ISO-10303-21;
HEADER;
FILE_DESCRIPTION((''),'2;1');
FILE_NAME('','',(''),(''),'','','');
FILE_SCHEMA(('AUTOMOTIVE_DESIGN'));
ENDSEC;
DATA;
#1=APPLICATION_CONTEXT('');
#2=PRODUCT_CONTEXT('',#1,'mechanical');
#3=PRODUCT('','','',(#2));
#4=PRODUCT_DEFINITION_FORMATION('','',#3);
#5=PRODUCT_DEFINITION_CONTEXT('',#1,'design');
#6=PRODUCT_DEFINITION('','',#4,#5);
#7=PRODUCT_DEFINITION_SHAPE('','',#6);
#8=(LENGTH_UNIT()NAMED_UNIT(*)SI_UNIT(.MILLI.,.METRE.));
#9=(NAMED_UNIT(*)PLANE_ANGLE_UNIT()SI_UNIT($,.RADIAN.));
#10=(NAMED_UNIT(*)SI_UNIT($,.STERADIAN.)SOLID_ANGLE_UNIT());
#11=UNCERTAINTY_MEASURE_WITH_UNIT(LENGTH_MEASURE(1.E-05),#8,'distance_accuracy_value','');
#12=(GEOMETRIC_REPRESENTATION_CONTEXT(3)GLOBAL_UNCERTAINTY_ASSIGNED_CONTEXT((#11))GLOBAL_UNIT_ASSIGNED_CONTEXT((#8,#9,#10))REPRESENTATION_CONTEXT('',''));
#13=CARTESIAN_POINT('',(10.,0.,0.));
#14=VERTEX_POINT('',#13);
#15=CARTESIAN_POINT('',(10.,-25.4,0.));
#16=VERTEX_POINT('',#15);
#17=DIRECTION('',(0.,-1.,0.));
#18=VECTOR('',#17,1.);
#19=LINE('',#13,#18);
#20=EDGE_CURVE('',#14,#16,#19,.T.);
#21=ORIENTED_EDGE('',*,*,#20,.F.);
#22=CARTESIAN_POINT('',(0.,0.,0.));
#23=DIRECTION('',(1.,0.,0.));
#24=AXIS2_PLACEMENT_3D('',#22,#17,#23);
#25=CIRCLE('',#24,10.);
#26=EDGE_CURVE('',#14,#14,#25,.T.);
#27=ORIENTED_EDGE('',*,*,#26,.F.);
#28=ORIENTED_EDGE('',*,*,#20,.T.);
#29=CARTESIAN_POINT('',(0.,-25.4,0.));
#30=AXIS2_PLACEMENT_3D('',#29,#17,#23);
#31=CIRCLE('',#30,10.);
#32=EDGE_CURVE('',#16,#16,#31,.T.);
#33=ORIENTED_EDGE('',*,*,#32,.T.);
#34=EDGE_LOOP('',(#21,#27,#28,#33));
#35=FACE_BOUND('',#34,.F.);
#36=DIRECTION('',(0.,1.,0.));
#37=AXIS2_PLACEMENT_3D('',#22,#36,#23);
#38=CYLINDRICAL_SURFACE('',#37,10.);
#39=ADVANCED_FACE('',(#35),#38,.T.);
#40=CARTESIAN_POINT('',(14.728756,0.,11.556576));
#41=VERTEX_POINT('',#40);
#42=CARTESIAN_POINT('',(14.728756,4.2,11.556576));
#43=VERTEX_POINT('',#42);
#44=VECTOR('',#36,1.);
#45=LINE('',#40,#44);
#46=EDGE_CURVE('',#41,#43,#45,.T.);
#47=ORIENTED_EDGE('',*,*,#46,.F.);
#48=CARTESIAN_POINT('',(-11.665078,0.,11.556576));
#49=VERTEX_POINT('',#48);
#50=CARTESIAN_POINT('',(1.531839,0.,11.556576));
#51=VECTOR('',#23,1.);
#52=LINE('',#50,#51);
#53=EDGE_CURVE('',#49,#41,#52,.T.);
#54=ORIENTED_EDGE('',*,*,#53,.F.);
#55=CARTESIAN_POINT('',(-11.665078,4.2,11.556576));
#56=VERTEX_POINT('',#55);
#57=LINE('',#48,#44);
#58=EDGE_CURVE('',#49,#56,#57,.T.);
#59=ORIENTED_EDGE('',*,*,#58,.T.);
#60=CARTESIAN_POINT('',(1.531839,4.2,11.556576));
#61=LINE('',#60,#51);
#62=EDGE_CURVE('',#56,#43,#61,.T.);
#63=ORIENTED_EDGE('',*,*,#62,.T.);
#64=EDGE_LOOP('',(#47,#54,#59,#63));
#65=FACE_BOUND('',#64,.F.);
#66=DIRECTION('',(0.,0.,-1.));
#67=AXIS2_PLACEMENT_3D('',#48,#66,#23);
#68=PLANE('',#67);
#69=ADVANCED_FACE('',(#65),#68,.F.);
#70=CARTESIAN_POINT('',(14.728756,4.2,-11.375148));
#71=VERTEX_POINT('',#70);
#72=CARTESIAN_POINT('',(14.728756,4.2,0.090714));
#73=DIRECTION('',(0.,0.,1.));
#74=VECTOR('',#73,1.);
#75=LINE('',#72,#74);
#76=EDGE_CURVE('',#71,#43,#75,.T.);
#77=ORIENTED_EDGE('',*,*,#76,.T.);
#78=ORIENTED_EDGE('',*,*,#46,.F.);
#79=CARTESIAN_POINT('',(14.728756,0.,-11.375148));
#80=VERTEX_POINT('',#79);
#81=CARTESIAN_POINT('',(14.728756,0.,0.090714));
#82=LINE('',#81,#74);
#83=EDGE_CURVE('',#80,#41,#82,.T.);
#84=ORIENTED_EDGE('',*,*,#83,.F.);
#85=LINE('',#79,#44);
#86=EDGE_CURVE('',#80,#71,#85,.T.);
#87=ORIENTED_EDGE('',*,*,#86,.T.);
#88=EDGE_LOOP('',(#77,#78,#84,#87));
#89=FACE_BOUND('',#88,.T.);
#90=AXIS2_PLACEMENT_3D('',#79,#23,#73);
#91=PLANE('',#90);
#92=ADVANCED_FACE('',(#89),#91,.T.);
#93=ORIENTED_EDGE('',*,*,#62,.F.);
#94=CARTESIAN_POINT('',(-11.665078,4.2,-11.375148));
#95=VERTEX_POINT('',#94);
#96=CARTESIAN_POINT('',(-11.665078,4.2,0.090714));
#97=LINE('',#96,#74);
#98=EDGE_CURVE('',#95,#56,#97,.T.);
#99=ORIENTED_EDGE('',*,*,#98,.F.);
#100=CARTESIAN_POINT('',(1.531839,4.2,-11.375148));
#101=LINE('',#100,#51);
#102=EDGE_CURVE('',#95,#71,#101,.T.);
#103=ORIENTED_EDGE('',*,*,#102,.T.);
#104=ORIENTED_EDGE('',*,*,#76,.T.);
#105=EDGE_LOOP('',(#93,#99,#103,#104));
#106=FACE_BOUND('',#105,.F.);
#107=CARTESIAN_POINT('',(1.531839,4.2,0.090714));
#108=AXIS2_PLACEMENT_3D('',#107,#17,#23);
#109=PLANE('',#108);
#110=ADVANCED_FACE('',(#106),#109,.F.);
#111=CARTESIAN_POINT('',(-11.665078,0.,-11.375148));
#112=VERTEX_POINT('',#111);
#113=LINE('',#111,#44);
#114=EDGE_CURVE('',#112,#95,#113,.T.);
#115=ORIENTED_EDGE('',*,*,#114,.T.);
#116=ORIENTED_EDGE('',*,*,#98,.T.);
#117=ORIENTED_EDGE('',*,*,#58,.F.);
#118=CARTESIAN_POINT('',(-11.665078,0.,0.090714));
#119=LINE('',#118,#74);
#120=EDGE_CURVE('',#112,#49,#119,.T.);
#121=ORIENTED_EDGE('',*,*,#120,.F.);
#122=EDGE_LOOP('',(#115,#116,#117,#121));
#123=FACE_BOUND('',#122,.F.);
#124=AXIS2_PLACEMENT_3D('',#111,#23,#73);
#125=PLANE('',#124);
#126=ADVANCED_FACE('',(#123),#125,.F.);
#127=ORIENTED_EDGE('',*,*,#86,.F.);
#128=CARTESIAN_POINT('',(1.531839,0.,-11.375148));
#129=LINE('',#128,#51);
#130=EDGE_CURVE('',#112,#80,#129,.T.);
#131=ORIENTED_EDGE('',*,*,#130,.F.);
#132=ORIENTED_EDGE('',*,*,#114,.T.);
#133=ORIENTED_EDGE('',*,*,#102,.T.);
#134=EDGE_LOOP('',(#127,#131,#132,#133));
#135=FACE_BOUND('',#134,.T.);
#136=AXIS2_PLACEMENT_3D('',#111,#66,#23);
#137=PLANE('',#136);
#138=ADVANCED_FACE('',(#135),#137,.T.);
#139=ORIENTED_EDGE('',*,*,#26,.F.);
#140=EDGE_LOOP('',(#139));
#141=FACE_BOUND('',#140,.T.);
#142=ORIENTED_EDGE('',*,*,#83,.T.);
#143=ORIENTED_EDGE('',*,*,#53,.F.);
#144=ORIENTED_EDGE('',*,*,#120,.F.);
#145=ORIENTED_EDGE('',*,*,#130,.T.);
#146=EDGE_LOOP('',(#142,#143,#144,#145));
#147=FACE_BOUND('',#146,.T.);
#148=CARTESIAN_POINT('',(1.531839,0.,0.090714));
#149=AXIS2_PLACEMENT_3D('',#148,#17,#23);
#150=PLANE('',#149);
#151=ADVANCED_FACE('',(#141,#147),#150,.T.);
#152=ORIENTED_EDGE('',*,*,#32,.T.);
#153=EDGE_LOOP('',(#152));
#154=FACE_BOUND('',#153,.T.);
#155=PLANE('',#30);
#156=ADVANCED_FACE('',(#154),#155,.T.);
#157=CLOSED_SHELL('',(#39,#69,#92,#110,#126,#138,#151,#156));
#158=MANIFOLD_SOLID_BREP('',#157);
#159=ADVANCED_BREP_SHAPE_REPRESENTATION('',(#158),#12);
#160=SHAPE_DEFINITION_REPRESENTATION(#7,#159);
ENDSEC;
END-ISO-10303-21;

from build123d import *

# Parameters (mm, degrees)
F0_R     = 10
F1_DEPTH = 25.4
F2_W     = 26.393833
F2_H     = 22.931724
F3_DEPTH = 4.2


with BuildPart() as f1:
    # F0 (on Front) → F1 (new body)
    with BuildSketch(Plane.XZ):
        Circle(F0_R)
    extrude(amount=F1_DEPTH)

    # F2 (on Front) → F3 (join)
    with BuildSketch(Plane.XZ):
        with Locations((1.531839, 0.090714)):
            Rectangle(F2_W, F2_H)
    extrude(amount=-F3_DEPTH)


solid = f1.part
